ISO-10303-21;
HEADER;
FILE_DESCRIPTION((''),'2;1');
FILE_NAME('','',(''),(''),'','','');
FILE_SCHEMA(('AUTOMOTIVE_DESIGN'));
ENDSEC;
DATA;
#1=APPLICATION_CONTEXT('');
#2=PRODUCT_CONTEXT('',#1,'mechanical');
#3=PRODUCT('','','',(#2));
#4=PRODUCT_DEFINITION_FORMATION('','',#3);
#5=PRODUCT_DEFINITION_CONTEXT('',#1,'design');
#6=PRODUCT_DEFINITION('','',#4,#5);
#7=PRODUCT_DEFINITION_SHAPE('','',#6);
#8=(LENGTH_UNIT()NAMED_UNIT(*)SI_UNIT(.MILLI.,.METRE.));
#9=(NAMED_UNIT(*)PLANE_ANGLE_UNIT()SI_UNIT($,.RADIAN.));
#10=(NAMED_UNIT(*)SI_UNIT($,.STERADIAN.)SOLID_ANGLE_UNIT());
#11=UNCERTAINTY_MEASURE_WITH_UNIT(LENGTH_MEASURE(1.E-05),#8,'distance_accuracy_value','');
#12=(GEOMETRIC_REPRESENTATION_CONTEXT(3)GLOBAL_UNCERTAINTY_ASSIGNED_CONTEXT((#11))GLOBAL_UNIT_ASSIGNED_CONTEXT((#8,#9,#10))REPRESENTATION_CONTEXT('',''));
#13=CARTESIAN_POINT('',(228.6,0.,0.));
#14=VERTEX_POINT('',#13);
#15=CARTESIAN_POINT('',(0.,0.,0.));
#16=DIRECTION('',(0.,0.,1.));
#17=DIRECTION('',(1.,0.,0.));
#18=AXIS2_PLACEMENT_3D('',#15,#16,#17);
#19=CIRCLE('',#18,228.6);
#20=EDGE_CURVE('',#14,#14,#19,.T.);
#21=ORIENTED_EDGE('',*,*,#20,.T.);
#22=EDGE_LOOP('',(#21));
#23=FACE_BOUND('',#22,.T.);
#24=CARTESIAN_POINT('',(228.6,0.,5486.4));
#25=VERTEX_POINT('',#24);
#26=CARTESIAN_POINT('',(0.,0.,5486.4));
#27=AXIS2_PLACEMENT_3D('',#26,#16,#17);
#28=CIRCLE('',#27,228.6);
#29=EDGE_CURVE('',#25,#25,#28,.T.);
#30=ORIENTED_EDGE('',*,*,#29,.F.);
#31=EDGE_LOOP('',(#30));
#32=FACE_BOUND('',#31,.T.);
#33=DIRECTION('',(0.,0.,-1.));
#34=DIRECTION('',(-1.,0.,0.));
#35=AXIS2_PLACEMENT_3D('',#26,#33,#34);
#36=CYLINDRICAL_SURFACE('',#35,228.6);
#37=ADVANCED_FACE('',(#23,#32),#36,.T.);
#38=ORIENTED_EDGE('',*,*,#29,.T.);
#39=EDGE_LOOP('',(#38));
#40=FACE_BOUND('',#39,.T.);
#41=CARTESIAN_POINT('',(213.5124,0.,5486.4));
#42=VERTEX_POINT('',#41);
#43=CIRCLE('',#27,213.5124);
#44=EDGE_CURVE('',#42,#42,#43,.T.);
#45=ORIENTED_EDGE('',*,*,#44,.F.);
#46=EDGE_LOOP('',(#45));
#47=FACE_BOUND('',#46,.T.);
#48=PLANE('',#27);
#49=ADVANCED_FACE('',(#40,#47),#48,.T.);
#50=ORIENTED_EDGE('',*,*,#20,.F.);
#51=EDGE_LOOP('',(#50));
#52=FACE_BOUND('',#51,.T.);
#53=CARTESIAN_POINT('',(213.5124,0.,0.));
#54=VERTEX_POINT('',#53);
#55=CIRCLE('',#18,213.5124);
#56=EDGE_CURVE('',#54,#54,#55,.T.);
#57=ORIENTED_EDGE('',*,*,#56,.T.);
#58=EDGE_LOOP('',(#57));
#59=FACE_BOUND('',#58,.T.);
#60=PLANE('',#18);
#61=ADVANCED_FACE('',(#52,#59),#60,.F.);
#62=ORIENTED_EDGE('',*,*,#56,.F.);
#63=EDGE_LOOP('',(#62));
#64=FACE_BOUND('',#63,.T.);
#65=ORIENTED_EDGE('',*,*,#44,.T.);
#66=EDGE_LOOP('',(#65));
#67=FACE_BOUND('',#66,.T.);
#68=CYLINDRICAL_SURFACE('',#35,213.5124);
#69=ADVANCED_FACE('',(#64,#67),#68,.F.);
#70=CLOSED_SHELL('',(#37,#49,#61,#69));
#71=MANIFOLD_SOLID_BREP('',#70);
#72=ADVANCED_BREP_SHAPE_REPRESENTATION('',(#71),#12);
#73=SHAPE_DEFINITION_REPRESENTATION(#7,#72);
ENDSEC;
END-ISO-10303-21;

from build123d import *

# Parameters (mm, degrees)
PIPESKETCH_R    = 228.6
PIPESKETCH_R_2  = 213.5124
EXTRUSION_DEPTH = 5486.4


with BuildPart() as part:
    # PipeSketch → Extrusion (new body)
    with BuildSketch(Plane.XY):
        Circle(PIPESKETCH_R)
        Circle(PIPESKETCH_R_2, mode=Mode.SUBTRACT)
    extrude(amount=EXTRUSION_DEPTH)


solid = part.part
